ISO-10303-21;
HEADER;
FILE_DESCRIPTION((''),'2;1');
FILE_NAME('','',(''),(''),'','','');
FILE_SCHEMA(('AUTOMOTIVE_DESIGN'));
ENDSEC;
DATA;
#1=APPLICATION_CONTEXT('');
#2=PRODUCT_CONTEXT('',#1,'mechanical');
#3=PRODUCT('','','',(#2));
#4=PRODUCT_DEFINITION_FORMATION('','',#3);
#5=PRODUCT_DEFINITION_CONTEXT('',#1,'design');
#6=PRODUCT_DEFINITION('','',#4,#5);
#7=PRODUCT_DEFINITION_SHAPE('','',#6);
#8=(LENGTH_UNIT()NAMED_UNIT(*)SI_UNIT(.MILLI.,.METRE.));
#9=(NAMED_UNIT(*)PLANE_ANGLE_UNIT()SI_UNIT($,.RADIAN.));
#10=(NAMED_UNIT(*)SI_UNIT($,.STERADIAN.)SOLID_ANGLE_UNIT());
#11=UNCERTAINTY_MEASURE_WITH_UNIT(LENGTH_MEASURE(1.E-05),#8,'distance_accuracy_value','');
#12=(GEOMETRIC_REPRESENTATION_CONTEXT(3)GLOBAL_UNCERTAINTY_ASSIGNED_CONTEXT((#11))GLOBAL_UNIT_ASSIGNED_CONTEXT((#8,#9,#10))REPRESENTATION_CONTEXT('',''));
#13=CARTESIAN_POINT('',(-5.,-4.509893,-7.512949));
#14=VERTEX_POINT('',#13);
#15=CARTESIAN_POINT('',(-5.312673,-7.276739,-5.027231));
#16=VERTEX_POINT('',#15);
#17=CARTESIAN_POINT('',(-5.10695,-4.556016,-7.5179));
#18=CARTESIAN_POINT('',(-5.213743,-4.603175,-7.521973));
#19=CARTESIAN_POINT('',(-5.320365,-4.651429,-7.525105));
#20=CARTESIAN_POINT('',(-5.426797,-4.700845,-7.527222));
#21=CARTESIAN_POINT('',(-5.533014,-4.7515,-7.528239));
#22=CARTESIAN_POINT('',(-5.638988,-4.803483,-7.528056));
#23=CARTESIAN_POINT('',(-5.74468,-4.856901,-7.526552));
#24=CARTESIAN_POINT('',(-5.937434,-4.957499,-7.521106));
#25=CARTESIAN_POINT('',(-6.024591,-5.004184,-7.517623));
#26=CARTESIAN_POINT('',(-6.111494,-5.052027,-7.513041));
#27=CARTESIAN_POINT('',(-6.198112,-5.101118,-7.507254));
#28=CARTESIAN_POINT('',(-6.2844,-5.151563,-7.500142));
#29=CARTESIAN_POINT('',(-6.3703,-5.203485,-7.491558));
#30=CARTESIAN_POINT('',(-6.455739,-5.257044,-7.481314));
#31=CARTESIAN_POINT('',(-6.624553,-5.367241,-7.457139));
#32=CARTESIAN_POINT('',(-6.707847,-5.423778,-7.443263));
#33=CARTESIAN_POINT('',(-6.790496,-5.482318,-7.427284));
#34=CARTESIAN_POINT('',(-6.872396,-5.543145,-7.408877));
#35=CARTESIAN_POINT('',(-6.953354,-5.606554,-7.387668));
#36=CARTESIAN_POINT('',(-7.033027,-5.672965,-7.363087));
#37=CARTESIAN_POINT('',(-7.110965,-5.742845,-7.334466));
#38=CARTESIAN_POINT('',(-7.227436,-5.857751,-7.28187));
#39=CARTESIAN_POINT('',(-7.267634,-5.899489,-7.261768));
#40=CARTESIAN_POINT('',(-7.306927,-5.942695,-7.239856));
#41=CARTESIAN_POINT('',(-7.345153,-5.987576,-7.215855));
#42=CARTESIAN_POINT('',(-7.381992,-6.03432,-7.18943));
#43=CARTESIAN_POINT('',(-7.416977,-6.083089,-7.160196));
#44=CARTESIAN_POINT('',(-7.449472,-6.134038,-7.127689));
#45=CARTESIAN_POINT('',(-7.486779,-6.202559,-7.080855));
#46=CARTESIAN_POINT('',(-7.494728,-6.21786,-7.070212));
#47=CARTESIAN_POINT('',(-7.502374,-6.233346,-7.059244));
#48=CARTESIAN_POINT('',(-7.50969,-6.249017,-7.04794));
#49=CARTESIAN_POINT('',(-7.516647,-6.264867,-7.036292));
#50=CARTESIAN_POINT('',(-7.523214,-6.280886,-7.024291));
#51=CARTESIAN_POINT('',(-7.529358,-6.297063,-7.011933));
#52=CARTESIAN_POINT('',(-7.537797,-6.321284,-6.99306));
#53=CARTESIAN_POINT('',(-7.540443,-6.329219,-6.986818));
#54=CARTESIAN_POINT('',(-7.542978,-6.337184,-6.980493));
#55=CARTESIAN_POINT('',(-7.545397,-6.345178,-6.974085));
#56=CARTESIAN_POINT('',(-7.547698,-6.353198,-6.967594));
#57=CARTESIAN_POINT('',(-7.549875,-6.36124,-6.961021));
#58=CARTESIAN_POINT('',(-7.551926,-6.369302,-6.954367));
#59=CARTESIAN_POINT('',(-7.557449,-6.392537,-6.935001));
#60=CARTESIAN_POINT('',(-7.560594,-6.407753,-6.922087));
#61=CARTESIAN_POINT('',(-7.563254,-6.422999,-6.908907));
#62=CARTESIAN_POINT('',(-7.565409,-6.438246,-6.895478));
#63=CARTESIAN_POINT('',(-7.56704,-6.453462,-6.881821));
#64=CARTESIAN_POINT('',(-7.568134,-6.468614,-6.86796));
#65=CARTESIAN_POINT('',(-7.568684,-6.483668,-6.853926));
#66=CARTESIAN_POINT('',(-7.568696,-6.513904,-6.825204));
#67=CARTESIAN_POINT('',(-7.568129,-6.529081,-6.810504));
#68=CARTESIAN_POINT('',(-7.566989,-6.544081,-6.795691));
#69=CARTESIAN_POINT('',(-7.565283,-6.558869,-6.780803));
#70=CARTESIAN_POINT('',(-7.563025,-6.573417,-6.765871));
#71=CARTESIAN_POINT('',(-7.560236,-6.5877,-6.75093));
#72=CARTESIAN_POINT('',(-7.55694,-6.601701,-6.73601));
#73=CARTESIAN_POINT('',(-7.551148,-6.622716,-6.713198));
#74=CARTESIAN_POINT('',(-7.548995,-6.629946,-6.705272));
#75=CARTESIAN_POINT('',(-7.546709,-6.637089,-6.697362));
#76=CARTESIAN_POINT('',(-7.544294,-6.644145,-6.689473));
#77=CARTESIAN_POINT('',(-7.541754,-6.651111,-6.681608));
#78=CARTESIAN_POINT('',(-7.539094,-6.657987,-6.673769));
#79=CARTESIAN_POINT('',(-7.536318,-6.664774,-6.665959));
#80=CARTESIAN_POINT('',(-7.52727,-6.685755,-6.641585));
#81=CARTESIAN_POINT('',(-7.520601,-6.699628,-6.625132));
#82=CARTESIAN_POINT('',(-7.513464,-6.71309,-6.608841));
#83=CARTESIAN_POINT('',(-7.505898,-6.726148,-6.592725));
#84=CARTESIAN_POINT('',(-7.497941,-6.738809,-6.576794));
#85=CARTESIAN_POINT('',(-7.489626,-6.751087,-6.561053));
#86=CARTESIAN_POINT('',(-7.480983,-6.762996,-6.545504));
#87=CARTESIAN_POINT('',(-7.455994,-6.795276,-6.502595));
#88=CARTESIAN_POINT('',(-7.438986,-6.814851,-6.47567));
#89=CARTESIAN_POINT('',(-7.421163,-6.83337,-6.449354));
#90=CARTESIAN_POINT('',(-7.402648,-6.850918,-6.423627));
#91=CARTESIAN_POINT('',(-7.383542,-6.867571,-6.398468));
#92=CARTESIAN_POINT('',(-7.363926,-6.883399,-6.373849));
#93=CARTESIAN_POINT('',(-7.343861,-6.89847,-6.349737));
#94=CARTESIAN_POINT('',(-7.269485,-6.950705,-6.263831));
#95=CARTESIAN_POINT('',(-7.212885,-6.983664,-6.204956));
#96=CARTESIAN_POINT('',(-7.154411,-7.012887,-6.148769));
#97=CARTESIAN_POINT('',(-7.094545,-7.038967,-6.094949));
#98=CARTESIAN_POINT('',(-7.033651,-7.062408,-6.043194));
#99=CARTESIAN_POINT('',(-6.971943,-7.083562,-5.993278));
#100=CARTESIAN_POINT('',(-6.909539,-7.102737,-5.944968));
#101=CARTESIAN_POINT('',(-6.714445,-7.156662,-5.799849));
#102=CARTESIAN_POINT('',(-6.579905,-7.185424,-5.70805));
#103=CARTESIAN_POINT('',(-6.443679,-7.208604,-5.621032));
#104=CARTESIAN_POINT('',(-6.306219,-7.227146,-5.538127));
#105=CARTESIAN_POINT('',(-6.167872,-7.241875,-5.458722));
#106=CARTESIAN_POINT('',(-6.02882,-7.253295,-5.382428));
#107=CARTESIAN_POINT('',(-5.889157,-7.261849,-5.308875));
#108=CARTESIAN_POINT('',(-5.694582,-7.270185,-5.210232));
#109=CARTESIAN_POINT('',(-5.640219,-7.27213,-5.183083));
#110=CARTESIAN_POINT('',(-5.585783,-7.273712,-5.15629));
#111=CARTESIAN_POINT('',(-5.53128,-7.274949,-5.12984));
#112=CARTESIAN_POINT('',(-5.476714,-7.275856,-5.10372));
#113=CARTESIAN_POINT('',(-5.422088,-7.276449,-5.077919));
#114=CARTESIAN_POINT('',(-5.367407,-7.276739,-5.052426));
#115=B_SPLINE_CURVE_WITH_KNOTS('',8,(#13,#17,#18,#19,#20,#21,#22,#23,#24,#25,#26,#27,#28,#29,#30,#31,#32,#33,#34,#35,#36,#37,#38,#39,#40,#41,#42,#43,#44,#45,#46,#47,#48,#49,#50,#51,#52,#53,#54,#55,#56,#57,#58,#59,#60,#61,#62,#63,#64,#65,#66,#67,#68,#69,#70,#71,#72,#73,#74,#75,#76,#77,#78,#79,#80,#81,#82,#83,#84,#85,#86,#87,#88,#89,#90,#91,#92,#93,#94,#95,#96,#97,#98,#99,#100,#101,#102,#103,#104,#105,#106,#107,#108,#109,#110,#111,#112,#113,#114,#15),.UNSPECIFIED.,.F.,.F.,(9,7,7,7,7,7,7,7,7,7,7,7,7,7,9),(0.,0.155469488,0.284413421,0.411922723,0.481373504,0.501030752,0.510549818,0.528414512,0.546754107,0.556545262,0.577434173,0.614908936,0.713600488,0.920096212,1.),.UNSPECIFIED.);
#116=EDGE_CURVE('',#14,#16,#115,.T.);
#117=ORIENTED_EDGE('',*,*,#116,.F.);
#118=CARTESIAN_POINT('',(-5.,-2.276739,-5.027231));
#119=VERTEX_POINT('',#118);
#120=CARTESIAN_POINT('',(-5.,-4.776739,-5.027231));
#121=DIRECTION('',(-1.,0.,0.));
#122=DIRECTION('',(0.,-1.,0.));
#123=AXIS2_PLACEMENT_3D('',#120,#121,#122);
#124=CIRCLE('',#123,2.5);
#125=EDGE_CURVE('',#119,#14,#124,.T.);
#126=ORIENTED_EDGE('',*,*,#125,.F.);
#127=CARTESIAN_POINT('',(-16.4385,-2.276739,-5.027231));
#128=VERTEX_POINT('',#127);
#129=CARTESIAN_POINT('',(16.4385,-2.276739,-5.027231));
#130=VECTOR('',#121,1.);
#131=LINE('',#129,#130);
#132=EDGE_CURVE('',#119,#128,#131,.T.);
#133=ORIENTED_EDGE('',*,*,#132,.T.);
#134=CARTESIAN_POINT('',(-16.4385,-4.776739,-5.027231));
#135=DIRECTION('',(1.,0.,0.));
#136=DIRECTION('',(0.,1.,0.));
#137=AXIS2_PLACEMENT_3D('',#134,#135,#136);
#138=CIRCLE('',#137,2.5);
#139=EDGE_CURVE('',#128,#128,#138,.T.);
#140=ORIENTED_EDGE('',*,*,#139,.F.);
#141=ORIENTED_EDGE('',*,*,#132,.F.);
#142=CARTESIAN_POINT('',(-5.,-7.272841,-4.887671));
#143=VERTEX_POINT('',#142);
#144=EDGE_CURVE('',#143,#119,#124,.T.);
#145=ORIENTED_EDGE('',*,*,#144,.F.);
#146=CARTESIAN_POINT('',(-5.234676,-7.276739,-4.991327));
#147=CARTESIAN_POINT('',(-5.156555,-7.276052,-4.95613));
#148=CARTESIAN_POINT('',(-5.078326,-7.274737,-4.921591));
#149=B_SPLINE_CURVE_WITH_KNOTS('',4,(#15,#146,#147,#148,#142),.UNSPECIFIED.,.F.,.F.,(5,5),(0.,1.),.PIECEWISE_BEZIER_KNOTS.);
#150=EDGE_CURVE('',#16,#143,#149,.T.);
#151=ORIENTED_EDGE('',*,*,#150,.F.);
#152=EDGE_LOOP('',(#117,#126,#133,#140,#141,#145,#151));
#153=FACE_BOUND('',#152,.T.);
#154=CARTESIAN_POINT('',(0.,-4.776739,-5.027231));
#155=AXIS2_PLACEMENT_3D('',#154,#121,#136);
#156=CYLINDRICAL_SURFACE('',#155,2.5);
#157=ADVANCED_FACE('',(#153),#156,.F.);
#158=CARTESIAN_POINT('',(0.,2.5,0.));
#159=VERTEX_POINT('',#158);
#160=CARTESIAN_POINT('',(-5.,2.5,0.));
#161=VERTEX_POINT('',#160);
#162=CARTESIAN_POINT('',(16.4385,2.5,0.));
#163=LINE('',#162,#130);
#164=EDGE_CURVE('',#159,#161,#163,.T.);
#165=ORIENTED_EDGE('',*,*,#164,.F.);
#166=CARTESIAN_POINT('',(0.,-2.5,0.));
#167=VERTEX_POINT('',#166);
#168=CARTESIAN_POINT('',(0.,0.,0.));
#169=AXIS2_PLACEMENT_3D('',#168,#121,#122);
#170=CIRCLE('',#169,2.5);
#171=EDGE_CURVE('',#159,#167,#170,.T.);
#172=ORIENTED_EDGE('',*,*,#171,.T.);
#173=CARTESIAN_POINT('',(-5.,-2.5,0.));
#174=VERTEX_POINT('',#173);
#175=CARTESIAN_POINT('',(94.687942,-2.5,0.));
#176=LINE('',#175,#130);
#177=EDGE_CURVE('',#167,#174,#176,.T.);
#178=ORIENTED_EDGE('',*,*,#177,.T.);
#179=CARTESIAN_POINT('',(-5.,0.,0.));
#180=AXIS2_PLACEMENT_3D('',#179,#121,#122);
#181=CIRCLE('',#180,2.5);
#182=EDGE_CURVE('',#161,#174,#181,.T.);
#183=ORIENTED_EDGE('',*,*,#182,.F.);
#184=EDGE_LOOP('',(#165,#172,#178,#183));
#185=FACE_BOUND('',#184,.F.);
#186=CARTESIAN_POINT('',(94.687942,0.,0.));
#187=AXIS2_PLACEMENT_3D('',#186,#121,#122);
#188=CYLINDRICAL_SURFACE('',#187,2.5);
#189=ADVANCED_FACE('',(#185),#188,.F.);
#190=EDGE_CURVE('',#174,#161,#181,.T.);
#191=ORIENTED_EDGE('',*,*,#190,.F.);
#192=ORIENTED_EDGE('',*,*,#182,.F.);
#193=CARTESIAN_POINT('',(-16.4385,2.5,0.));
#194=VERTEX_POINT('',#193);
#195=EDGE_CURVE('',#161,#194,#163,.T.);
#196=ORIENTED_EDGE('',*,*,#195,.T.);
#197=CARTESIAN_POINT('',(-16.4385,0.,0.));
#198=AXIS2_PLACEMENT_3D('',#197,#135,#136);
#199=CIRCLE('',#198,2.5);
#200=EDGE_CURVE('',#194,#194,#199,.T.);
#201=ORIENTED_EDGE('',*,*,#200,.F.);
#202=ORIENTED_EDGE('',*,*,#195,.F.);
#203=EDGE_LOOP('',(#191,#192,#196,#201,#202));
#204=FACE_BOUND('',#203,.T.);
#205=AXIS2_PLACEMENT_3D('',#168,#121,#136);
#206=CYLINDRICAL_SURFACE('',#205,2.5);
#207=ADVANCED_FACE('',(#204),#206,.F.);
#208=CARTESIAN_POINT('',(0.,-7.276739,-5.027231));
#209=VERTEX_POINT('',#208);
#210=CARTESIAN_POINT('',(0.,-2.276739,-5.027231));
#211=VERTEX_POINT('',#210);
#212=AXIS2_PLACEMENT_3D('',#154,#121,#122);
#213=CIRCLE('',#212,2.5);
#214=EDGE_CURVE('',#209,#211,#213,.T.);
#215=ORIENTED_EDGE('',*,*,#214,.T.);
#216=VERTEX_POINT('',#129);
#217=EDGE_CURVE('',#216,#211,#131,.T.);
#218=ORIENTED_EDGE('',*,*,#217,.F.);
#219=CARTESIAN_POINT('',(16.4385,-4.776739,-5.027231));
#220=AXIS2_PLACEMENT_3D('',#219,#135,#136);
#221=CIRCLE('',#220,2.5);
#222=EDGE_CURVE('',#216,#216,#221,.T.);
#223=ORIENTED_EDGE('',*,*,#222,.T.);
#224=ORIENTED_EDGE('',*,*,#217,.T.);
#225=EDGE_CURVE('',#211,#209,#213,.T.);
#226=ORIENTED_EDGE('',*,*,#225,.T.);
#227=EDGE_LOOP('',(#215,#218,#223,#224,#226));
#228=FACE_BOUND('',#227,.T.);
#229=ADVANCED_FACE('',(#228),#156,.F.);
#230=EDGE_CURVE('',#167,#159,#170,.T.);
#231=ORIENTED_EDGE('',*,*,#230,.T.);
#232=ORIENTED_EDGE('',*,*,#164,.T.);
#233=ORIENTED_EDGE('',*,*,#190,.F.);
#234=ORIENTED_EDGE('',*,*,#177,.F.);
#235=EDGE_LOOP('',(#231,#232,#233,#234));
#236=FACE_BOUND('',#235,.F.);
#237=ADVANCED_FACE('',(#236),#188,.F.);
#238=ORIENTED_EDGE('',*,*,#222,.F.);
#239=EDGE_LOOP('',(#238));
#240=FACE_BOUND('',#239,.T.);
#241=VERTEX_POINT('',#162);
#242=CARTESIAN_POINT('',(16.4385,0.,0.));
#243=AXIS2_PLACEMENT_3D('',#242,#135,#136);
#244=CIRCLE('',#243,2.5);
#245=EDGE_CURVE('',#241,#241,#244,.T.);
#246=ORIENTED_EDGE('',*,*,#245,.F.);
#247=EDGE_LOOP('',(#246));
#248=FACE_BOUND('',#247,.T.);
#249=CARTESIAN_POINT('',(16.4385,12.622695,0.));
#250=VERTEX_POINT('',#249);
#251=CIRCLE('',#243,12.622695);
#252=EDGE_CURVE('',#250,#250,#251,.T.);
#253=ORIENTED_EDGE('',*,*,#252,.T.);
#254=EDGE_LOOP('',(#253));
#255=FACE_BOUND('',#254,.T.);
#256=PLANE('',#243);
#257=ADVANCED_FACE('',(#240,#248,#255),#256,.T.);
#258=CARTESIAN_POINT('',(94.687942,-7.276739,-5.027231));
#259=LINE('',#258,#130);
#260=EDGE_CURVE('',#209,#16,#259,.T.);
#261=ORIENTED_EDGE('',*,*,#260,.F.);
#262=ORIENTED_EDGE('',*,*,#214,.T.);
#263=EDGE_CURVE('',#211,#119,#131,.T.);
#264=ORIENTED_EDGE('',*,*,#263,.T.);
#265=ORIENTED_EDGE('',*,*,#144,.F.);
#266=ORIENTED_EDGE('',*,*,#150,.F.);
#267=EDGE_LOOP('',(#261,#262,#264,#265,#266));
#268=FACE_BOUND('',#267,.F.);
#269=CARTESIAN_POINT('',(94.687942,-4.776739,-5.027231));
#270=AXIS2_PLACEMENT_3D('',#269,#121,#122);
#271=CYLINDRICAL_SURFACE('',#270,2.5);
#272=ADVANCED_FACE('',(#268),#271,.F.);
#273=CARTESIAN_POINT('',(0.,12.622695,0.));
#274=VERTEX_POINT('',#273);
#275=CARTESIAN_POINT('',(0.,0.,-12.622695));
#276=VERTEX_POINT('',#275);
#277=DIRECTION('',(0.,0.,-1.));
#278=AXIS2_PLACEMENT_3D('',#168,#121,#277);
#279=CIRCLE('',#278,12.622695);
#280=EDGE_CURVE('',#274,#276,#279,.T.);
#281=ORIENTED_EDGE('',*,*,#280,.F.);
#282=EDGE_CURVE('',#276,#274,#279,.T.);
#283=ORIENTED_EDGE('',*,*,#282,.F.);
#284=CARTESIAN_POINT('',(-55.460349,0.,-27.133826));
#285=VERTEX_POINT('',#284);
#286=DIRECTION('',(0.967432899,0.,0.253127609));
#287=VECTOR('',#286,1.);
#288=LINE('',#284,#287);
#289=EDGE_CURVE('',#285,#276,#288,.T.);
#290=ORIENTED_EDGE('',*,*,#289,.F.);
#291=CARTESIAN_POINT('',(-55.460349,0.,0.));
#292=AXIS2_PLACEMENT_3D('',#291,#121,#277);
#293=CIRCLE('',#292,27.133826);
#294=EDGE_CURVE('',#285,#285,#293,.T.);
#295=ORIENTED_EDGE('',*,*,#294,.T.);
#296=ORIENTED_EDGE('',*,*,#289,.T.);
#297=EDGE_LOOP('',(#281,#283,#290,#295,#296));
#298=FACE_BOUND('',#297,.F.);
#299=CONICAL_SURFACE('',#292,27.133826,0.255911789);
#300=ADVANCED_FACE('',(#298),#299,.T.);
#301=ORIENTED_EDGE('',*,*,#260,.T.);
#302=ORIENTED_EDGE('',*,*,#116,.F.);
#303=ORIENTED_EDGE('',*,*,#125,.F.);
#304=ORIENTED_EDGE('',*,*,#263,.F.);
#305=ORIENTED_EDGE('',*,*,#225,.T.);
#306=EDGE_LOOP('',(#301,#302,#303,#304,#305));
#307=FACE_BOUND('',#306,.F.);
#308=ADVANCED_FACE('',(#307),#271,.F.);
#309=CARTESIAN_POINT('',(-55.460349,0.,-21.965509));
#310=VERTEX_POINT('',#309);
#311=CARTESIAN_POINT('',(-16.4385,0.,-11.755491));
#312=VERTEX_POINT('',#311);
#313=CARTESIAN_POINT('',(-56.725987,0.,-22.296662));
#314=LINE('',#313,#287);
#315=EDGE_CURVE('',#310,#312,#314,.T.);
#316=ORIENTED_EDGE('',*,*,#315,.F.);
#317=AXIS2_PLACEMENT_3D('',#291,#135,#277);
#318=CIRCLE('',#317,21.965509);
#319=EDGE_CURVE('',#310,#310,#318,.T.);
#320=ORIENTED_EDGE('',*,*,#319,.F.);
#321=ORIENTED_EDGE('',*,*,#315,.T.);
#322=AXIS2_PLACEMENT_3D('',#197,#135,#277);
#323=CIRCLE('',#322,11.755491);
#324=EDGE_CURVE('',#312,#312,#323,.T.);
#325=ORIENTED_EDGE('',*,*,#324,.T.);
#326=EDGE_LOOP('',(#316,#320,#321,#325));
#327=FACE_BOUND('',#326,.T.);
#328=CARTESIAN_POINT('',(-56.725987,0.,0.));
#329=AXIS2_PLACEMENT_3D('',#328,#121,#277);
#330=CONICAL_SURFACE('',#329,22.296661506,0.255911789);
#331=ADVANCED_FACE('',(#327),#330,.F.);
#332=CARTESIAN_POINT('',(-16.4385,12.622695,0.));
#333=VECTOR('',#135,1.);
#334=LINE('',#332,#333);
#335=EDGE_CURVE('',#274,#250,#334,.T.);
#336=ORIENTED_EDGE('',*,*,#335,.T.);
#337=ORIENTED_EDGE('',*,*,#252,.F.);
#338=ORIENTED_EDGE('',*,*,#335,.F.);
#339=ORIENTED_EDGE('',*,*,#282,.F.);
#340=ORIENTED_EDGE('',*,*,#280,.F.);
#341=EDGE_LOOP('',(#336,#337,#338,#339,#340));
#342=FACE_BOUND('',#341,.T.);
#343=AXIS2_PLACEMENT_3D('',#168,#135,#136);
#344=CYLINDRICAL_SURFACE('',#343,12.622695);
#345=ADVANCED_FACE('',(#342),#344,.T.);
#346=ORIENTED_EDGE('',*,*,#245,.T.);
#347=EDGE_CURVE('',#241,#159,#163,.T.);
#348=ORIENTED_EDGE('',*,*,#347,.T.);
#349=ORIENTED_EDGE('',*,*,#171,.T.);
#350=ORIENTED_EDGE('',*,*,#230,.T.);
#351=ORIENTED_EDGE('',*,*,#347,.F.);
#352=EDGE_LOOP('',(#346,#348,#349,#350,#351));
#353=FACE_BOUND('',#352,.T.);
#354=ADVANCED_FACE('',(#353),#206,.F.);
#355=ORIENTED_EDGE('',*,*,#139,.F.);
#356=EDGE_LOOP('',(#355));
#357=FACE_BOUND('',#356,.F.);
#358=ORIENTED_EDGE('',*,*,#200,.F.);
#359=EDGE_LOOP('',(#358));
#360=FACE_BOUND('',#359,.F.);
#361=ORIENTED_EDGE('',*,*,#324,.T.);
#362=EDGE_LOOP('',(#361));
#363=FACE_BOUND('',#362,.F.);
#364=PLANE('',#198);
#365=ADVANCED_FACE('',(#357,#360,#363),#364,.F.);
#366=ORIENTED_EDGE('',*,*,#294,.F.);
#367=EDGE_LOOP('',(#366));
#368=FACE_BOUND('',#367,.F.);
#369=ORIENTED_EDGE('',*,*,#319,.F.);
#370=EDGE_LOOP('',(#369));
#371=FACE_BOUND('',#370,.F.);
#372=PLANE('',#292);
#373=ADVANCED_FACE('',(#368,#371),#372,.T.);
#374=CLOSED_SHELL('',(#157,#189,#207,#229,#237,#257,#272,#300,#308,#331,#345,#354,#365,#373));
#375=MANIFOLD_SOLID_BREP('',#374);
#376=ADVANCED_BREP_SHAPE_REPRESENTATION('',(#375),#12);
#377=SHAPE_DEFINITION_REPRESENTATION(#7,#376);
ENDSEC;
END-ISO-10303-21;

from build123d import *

# Parameters (mm, degrees)
F2_T        = -5
F4_D        = 5
F1_FACE_R   = 12.622695
F1_FACE_R_2 = 2.5
F5_DEPTH    = 16.4385


with BuildPart() as f1:
    # F0 (on Front) → F1 (revolve)
    with BuildSketch(Plane.XZ):
        Polygon((-55.460349, -27.133826), (0, -12.622695), (0, 0), (-55.460349, 0), align=None)
    revolve(axis=Axis((7.454347, 0, 0), (-1, 0, 0)))

    # F2
    f2_openings = [f1.faces().sort_by_distance(p)[0] for p in [
        (-55.460349, 0, 0),
    ]]
    offset(amount=F2_T, openings=f2_openings)

    # F4 (through all)
    with Locations(Plane.YZ):
        with Locations((0, 0), (-4.776739, -5.027231)):
            Hole(F4_D / 2)

    # F1_face (on face) → F5 (join, symmetric)
    with BuildSketch(Plane.YZ):
        Circle(F1_FACE_R)
        Circle(F1_FACE_R_2, mode=Mode.SUBTRACT)
        with Locations((-4.776739, -5.027231)):
            Circle(F1_FACE_R_2, mode=Mode.SUBTRACT)
    extrude(amount=F5_DEPTH, both=True)


solid = f1.part
